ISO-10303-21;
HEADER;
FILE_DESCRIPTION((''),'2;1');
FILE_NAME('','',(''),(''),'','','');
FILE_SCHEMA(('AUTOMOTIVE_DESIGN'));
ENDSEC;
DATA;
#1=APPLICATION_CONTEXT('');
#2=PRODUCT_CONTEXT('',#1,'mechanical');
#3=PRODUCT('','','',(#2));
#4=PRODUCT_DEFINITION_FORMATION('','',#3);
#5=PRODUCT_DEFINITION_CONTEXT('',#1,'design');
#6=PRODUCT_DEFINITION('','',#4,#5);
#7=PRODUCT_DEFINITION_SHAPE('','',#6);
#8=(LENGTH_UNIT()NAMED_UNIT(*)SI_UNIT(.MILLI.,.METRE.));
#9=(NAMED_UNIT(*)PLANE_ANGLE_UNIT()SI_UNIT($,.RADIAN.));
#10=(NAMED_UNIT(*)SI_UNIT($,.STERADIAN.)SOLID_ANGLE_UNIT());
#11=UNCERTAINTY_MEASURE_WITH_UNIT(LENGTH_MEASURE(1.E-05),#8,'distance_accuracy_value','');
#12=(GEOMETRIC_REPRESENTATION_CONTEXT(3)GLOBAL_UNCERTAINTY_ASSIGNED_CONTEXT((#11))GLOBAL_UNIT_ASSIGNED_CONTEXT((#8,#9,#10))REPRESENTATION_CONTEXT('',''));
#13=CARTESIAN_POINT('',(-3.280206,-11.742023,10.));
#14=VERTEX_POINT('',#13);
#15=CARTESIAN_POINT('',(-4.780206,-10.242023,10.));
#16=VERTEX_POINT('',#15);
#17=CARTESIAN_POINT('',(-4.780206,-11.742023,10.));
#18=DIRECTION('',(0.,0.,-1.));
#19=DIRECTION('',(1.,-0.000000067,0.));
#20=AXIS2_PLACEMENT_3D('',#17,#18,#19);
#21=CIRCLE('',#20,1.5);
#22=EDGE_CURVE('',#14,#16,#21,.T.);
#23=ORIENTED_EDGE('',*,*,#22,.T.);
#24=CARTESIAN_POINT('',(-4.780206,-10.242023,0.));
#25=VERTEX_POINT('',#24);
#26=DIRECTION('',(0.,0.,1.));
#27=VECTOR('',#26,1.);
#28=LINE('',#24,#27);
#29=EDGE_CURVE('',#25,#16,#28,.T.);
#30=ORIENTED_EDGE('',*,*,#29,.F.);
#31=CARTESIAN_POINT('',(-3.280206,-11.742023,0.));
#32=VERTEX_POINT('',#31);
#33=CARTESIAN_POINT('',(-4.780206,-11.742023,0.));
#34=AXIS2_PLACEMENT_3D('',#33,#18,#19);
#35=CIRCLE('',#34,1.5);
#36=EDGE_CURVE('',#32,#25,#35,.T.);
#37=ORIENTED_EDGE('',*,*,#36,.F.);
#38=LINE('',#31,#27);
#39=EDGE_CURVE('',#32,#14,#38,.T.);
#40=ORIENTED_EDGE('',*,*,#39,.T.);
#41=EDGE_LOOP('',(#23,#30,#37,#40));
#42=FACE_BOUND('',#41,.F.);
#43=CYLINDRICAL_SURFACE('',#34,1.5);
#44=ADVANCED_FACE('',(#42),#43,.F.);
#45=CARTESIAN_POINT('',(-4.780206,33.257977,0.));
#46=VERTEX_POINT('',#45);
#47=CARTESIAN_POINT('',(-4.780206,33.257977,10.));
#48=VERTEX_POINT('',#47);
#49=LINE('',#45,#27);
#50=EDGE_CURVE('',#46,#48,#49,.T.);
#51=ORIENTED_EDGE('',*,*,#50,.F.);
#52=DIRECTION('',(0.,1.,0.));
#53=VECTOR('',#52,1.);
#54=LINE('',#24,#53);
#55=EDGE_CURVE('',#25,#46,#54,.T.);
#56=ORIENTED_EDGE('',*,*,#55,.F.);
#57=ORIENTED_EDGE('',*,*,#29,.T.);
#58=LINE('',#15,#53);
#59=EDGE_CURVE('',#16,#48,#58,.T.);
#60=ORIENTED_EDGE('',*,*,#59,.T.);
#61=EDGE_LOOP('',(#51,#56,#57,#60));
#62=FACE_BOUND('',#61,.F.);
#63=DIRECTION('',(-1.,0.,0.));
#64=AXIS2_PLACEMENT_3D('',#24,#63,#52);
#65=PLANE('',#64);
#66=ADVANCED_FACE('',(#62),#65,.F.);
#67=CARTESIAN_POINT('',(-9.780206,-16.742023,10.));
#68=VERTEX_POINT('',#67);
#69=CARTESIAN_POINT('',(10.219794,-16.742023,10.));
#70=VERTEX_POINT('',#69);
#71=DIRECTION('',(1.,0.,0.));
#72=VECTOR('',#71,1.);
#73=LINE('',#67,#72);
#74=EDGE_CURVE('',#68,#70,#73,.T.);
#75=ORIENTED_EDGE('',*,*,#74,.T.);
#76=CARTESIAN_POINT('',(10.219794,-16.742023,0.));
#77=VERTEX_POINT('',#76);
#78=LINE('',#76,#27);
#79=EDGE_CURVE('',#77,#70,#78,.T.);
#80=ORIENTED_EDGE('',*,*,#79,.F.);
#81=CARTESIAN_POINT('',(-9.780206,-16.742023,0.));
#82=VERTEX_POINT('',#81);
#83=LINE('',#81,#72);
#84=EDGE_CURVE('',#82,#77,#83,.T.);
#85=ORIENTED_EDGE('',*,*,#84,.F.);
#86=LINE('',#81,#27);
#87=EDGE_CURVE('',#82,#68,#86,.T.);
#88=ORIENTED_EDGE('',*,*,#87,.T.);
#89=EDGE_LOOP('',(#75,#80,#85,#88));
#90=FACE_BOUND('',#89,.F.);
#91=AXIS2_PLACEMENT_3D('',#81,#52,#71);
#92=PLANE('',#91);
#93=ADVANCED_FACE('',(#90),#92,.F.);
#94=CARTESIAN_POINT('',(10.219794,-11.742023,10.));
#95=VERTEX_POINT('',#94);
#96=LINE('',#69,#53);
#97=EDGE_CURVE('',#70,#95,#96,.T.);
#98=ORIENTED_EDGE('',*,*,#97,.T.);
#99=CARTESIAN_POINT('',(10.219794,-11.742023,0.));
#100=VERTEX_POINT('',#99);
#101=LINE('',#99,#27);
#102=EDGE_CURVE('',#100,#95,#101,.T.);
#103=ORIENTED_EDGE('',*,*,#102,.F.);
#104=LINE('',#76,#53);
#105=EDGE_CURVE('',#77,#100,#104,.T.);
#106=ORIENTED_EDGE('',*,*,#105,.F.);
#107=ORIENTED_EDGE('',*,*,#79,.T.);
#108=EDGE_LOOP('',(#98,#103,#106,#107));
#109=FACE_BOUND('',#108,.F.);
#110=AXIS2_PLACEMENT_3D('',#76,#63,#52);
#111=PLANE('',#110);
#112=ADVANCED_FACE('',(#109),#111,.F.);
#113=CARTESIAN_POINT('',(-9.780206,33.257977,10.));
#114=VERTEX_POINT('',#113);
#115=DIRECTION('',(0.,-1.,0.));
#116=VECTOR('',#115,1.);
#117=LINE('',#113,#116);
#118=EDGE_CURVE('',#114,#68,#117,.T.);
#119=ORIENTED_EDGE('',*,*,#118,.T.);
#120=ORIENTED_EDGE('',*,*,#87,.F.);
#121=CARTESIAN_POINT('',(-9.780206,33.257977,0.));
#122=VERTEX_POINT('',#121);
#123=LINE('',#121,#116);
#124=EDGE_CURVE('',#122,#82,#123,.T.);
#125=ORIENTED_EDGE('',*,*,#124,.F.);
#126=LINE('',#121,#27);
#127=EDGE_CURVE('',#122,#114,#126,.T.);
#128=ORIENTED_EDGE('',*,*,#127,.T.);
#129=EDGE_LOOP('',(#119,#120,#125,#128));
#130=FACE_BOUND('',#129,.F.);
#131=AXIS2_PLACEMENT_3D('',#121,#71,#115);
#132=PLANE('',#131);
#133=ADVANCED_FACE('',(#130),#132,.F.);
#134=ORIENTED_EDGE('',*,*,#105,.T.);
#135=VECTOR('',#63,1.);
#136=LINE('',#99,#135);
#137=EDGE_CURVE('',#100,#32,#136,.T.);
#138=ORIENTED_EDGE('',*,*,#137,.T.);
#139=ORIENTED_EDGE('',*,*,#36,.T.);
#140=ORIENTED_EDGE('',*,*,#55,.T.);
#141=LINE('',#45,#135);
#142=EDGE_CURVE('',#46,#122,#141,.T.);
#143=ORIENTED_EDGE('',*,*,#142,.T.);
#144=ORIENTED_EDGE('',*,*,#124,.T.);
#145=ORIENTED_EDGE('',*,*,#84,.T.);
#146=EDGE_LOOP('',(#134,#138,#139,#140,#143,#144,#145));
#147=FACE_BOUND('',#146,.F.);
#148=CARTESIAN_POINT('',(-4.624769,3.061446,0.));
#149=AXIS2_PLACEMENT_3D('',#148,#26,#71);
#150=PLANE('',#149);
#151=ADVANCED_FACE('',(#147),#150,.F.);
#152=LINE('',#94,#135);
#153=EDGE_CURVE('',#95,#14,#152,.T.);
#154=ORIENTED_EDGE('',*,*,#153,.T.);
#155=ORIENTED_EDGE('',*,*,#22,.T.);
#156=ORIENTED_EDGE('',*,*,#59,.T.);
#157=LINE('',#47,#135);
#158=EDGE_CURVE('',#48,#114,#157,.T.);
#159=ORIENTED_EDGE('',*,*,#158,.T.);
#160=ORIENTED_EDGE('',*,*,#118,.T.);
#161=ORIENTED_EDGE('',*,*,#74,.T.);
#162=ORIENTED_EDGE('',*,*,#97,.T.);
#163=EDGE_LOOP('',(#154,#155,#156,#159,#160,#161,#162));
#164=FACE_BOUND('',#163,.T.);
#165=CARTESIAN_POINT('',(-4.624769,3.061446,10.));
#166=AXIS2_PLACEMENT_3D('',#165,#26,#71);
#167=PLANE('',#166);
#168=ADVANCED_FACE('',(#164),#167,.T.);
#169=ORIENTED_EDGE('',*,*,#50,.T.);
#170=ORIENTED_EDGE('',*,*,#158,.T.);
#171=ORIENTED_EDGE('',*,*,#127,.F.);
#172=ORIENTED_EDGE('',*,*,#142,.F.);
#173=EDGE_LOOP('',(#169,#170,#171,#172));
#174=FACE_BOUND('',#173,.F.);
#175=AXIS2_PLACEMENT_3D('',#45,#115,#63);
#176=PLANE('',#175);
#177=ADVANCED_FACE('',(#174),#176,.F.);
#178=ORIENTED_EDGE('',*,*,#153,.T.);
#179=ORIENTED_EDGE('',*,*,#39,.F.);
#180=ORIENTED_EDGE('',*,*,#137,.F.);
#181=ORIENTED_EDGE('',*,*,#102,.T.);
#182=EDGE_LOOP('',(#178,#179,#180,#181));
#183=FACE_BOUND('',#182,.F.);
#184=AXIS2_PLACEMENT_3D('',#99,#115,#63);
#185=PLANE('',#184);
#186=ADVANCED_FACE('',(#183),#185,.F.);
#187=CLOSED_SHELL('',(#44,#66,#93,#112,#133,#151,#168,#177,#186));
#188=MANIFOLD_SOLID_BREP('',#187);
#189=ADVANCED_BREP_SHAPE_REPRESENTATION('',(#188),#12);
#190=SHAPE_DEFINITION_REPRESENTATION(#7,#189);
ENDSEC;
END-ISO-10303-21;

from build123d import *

# Parameters (mm, degrees)
F1_DEPTH = 10


with BuildPart() as f1:
    # F0 (on Top) → F1 (new body)
    with BuildSketch(Plane.XY):
        with BuildLine():
            Line((-4.780206, -10.242023), (-4.780206, 33.257977))
            Line((-4.780206, 33.257977), (-9.780206, 33.257977))
            Line((-9.780206, 33.257977), (-9.780206, -16.742023))
            Line((-9.780206, -16.742023), (10.219794, -16.742023))
            Line((10.219794, -16.742023), (10.219794, -11.742023))
            Line((10.219794, -11.742023), (-3.280206, -11.742023))
            ThreePointArc((-3.280206, -11.742023), (-5.840866, -12.802683), (-4.780206, -10.242023))
        make_face()
    extrude(amount=F1_DEPTH)


solid = f1.part
